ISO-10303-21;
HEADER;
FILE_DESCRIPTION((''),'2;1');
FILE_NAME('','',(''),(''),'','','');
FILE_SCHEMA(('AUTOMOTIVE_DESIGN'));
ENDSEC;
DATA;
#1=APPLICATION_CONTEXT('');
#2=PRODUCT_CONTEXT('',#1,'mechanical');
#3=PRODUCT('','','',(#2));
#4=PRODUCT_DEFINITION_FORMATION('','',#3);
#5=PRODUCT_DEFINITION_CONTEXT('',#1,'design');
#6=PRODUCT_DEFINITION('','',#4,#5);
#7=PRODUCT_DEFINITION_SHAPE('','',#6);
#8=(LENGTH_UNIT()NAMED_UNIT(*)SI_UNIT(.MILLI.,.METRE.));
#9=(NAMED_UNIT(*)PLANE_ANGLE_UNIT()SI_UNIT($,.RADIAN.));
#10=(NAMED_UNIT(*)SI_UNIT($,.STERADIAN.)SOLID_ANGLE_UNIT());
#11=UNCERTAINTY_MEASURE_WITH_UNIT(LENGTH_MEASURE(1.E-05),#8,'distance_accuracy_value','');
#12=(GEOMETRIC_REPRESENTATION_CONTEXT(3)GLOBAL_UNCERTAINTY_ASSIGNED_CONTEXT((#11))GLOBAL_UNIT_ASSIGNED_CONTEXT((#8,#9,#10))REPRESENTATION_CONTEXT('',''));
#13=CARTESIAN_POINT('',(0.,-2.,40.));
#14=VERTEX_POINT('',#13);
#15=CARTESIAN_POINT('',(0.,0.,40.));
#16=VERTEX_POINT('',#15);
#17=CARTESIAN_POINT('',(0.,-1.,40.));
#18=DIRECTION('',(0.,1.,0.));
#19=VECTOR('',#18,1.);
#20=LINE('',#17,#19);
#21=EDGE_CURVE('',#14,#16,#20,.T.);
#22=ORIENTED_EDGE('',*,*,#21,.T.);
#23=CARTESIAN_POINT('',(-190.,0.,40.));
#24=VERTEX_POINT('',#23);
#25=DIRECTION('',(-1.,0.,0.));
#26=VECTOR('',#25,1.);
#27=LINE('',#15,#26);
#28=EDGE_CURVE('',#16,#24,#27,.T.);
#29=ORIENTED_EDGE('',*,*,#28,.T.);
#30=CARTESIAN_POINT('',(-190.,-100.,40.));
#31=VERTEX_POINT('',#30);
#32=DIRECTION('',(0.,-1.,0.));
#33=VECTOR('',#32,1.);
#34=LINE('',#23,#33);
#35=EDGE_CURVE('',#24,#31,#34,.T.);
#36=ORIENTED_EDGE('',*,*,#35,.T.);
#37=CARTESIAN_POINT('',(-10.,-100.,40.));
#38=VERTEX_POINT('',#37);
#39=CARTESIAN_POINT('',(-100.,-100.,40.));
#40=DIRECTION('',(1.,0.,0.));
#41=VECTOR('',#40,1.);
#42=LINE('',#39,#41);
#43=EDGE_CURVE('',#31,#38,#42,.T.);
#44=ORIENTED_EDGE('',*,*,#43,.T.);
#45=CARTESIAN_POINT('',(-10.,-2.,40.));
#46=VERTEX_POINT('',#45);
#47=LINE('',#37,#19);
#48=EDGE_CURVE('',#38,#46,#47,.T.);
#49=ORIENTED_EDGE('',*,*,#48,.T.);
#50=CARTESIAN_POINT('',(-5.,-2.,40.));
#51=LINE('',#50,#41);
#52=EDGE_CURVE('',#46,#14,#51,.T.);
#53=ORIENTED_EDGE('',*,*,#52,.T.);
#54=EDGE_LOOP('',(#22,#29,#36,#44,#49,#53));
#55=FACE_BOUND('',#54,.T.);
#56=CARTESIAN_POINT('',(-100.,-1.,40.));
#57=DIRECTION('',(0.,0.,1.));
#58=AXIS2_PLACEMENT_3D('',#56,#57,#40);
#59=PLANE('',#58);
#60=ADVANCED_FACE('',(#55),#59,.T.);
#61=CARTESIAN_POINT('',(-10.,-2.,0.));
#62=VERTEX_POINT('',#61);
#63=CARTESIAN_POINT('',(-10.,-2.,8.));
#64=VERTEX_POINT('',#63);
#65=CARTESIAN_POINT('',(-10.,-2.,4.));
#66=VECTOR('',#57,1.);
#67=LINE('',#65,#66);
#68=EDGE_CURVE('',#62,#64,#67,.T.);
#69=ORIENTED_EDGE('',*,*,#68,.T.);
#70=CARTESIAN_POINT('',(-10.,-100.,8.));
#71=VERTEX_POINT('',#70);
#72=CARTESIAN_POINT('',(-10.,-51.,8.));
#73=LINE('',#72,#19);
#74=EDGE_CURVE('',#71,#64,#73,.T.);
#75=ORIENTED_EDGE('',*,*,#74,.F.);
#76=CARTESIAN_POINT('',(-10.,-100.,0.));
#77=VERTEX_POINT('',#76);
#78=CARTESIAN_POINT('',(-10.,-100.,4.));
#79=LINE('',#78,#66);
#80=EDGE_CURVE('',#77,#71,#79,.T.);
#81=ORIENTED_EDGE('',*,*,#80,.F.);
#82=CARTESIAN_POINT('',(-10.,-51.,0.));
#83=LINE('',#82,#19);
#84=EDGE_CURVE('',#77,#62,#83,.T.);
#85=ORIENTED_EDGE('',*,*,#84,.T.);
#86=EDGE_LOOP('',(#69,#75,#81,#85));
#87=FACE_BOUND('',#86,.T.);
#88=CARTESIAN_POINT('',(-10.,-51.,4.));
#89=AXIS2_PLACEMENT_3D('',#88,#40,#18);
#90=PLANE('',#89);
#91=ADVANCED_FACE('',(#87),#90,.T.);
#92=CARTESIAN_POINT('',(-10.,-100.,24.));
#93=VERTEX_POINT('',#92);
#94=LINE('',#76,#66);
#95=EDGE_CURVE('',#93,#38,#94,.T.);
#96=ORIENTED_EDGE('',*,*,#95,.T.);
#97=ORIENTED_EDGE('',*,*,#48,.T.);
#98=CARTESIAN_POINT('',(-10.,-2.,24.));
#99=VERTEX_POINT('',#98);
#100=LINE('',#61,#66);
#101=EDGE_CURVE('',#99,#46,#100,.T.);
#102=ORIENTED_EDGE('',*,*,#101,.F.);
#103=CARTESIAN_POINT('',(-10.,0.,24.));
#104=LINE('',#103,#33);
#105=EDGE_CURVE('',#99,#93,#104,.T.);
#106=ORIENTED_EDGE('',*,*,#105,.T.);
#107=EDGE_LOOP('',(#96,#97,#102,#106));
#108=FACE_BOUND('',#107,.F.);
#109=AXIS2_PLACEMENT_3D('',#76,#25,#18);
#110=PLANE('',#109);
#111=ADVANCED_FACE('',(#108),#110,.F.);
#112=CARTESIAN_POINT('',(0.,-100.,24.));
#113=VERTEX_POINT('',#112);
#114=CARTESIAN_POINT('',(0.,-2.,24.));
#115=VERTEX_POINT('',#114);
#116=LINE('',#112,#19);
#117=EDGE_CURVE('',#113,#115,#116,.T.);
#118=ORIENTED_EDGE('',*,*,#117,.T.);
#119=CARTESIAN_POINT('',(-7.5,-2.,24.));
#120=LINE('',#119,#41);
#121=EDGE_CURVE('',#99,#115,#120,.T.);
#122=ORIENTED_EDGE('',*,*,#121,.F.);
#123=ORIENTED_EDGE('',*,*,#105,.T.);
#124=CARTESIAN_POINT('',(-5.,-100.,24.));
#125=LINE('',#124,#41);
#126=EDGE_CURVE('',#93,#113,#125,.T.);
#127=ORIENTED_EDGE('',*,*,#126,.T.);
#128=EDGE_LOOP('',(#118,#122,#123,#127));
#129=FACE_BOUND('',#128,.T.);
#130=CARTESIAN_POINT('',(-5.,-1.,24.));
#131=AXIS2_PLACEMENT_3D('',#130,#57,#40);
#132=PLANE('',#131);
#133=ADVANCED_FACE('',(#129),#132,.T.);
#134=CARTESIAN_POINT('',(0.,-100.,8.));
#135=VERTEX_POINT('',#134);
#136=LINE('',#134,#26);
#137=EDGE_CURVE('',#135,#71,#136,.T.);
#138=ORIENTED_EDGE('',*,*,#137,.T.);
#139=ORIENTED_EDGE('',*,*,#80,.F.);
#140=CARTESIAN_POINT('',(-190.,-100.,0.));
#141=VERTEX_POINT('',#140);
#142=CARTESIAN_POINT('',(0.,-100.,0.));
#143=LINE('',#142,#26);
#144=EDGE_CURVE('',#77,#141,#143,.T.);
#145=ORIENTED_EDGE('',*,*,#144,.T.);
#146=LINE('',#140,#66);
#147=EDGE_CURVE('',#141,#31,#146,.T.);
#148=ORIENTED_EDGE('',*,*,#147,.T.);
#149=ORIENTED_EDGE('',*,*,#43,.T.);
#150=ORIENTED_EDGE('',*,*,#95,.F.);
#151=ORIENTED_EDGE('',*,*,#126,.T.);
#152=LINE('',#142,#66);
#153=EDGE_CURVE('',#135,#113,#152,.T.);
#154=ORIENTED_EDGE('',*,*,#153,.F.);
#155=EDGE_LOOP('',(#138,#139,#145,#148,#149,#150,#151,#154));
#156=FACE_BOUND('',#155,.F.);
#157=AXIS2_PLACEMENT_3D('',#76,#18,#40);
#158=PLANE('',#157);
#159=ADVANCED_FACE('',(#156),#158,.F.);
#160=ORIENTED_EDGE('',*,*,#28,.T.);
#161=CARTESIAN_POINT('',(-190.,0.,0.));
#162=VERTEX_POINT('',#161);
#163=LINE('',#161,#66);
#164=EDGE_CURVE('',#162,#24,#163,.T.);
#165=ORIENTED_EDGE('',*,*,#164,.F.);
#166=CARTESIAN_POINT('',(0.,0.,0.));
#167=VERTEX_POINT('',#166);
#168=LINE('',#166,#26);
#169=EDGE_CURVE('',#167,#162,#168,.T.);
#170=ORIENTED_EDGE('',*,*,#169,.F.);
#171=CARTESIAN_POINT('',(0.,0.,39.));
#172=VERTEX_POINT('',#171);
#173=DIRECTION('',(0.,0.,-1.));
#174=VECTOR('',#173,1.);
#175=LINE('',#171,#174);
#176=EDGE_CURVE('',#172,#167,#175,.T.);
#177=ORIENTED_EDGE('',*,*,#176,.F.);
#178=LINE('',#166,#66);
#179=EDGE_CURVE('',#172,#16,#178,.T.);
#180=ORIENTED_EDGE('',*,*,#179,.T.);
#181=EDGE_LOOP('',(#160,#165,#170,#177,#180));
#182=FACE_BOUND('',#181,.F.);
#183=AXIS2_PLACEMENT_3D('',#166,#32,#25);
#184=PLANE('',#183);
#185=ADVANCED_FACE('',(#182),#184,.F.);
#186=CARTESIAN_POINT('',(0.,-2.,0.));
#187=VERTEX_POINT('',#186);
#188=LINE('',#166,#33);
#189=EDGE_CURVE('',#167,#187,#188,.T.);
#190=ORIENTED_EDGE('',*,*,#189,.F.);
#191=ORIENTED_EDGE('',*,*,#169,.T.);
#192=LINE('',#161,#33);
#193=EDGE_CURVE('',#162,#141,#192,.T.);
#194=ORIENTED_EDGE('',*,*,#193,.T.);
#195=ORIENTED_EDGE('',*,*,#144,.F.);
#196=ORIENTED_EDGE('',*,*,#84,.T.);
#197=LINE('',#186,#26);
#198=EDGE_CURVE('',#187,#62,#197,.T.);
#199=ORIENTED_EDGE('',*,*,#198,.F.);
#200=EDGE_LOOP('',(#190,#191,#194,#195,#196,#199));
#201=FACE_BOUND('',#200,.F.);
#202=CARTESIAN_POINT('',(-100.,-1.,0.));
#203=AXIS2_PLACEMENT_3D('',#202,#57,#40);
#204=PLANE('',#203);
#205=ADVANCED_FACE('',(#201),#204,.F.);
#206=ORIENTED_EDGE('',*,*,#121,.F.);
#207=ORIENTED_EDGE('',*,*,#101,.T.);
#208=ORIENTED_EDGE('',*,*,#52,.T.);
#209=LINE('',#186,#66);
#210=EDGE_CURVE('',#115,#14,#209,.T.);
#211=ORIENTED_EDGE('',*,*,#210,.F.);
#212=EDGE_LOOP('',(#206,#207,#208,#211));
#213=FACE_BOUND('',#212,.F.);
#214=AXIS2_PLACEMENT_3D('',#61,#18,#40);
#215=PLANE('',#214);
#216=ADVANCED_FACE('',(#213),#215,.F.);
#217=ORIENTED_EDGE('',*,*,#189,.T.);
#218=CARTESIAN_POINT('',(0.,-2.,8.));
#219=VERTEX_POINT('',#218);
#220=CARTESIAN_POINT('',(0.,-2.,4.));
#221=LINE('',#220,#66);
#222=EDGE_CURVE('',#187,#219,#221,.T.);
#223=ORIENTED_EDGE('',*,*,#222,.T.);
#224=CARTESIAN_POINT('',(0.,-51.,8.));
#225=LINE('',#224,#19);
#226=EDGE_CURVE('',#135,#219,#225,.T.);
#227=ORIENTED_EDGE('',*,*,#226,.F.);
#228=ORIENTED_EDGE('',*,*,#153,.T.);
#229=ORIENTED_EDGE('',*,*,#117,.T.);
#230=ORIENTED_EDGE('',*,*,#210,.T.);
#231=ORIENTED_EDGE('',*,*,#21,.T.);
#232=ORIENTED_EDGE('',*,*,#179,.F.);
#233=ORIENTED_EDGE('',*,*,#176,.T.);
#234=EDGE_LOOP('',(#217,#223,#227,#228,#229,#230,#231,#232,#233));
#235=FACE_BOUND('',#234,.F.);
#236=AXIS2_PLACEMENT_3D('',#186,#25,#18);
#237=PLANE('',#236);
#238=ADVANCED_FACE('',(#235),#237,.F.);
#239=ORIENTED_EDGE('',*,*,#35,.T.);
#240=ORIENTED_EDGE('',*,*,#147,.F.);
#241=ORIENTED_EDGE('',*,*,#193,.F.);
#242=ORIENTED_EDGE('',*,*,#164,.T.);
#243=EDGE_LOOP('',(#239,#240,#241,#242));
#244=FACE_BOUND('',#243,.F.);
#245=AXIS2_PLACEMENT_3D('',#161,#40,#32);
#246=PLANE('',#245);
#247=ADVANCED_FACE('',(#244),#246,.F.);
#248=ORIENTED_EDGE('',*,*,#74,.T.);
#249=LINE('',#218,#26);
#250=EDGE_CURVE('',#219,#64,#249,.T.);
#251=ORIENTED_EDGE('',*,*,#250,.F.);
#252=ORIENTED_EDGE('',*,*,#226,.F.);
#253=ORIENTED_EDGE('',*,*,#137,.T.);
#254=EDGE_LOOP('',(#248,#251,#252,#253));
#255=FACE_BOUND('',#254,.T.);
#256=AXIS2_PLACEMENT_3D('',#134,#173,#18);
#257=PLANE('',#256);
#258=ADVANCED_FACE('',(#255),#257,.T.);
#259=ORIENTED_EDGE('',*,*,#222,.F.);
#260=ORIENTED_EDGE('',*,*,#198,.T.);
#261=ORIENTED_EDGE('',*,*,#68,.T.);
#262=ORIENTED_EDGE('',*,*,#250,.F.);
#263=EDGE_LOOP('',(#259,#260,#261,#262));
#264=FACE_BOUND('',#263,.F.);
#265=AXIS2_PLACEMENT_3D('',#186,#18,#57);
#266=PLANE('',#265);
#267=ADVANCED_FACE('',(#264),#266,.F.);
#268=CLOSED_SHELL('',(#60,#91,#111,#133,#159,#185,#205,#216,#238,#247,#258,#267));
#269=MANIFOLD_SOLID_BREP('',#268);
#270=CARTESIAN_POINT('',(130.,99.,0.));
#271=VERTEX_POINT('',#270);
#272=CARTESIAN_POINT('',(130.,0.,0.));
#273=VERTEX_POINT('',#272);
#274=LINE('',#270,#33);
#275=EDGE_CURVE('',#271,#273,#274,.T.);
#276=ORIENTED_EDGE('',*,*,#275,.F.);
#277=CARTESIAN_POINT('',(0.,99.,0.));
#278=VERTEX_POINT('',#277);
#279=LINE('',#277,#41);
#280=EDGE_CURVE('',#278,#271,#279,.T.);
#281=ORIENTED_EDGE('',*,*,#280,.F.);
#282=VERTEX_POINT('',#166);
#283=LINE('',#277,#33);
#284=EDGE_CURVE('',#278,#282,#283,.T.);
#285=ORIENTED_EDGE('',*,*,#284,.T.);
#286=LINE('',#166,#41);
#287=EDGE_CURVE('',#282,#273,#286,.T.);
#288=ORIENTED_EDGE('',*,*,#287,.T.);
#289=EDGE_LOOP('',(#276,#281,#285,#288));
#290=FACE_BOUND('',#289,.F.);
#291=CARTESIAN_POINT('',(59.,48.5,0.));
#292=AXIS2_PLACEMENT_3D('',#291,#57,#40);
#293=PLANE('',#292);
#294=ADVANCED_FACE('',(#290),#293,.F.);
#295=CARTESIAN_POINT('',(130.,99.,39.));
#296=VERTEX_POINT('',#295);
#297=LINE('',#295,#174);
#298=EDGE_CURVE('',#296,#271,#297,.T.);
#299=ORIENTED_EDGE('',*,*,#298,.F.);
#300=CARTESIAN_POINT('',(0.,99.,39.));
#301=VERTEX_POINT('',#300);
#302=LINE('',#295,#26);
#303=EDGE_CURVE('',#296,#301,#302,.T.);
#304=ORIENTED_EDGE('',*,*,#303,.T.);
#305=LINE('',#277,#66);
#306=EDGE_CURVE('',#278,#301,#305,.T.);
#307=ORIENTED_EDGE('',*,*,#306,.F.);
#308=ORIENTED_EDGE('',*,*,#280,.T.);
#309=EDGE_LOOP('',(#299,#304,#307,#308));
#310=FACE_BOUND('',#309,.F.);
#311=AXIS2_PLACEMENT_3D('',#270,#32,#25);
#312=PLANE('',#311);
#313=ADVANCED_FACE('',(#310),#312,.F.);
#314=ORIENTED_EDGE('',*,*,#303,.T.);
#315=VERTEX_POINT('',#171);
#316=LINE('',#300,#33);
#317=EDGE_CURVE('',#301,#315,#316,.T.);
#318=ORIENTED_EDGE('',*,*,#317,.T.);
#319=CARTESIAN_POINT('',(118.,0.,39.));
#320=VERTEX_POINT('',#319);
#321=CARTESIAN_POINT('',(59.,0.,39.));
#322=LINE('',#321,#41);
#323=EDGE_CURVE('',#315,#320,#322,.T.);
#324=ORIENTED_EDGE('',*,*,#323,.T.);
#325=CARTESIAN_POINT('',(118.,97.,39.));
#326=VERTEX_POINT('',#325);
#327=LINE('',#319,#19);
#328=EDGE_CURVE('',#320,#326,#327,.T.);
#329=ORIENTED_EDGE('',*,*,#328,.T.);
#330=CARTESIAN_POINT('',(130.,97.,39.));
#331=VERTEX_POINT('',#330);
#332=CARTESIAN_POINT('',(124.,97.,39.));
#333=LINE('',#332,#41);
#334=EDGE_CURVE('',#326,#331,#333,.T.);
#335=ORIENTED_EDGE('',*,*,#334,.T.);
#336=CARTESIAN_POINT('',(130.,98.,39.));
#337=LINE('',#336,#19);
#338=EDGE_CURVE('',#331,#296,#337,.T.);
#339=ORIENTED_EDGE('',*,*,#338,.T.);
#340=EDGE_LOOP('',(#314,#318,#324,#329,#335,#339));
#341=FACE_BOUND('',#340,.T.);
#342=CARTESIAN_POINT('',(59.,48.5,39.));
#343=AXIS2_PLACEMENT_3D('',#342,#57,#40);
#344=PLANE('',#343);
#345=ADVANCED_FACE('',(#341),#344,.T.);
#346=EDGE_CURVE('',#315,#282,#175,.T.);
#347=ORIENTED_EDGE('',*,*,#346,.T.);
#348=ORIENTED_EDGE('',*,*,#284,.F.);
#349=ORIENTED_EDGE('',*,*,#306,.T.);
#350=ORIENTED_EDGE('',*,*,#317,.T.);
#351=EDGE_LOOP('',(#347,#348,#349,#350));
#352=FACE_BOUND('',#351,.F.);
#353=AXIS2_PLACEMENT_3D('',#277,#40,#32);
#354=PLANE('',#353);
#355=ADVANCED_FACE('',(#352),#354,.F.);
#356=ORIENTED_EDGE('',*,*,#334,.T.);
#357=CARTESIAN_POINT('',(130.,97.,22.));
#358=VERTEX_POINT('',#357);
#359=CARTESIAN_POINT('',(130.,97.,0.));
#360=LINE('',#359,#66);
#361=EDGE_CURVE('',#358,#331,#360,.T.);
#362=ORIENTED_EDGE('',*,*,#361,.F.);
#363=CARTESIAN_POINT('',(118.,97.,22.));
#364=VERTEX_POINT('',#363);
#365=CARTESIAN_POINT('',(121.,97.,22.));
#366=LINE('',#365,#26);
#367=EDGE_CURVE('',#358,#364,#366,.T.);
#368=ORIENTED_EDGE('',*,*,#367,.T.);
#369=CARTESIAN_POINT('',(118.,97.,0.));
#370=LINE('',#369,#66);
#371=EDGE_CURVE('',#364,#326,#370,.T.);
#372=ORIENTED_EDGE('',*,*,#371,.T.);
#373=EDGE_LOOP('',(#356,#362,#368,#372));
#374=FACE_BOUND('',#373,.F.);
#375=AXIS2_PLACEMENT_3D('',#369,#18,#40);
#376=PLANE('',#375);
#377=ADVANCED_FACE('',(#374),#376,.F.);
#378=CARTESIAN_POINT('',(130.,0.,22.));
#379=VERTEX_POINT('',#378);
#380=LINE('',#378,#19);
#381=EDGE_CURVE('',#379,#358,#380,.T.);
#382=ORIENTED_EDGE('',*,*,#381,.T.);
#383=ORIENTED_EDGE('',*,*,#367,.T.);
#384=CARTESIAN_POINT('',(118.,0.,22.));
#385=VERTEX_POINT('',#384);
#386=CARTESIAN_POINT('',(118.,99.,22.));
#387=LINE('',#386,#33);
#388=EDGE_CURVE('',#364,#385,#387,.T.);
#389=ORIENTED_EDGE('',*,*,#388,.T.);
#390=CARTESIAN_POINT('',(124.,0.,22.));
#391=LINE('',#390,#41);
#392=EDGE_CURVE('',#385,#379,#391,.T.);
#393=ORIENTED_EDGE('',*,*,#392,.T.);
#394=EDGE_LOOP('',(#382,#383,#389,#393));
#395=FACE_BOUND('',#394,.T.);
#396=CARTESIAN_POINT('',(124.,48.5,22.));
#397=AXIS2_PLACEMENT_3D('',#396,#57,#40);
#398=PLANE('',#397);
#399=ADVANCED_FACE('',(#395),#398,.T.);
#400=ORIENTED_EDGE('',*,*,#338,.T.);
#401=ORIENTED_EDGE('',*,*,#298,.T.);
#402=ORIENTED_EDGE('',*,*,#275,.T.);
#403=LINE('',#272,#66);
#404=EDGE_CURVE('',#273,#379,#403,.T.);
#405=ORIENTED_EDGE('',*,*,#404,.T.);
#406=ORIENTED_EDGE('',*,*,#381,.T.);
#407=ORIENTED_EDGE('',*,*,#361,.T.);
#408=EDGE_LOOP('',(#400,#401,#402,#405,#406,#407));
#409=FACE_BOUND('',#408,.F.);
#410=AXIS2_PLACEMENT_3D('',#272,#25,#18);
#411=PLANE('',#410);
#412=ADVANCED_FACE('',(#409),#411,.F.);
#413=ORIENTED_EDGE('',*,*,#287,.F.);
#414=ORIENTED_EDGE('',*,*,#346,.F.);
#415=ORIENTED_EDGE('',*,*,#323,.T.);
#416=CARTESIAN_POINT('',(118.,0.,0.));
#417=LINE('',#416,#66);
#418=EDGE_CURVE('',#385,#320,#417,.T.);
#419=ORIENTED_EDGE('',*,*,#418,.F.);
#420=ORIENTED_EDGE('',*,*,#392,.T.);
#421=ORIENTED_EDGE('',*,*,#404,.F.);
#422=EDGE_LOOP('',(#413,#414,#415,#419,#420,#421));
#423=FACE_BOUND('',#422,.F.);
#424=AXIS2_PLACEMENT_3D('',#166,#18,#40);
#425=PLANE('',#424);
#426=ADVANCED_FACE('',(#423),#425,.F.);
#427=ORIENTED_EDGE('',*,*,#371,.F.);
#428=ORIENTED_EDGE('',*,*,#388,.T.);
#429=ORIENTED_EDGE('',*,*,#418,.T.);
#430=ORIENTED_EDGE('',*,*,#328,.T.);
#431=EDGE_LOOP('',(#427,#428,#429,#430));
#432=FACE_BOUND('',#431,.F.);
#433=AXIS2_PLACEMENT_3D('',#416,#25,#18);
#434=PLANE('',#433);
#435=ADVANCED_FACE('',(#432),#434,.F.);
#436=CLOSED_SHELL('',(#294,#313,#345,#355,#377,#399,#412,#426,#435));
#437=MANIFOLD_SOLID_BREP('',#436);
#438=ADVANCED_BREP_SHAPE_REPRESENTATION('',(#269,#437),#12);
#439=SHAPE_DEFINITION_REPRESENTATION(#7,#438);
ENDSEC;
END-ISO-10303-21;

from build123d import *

# Parameters (mm, degrees)
F0_W     = 12
F0_H     = 97
F0_H_2   = 2
F1_DEPTH = 22
F0_W_2   = 118
F2_DEPTH = 39
F0_W_3   = 180
F0_H_3   = 98
F0_W_4   = 10
F3_DEPTH = 40
F4_DEPTH = 24
F5_W     = 98
F5_H     = 8
F6_DEPTH = 10


with BuildPart() as f1:
    # F0 (on Top) → F1 (new body)
    with BuildSketch(Plane.XY):
        with Locations((124, 48.5)):
            Rectangle(F0_W, F0_H)
        with Locations((124, 98)):
            Rectangle(F0_W, F0_H_2)
    extrude(amount=F1_DEPTH)

    # F0 (on Top) → F2 (join)
    with BuildSketch(Plane.XY):
        with Locations((59, 48.5)):
            Rectangle(F0_W_2, F0_H)
        with Locations((59, 98)):
            Rectangle(F0_W_2, F0_H_2)
        with Locations((124, 98)):
            Rectangle(F0_W, F0_H_2)
    extrude(amount=F2_DEPTH)



with BuildPart() as f3:
    # F0 (on Top) → F3 (new body)
    with BuildSketch(Plane.XY):
        with Locations((-100, -1)):
            Rectangle(F0_W_3, F0_H_2)
        with Locations((-100, -51)):
            Rectangle(F0_W_3, F0_H_3)
        with Locations((-5, -1)):
            Rectangle(F0_W_4, F0_H_2)
    extrude(amount=F3_DEPTH)


with BuildPart() as f1_1:
    add(f1.part)

    add(f3.part)  # F4 merges F3
    # F0 (on Top) → F4 (join)
    with BuildSketch(Plane.XY):
        with Locations((-5, -1)):
            Rectangle(F0_W_4, F0_H_2)
        with Locations((-5, -51)):
            Rectangle(F0_W_4, F0_H_3)
    extrude(amount=F4_DEPTH)

    # F5 (on face) → F6 (cut)
    with BuildSketch(Plane.YZ):
        with Locations((-51, 4)):
            Rectangle(F5_W, F5_H)
    extrude(amount=-F6_DEPTH, mode=Mode.SUBTRACT)


solid = f1_1.part
